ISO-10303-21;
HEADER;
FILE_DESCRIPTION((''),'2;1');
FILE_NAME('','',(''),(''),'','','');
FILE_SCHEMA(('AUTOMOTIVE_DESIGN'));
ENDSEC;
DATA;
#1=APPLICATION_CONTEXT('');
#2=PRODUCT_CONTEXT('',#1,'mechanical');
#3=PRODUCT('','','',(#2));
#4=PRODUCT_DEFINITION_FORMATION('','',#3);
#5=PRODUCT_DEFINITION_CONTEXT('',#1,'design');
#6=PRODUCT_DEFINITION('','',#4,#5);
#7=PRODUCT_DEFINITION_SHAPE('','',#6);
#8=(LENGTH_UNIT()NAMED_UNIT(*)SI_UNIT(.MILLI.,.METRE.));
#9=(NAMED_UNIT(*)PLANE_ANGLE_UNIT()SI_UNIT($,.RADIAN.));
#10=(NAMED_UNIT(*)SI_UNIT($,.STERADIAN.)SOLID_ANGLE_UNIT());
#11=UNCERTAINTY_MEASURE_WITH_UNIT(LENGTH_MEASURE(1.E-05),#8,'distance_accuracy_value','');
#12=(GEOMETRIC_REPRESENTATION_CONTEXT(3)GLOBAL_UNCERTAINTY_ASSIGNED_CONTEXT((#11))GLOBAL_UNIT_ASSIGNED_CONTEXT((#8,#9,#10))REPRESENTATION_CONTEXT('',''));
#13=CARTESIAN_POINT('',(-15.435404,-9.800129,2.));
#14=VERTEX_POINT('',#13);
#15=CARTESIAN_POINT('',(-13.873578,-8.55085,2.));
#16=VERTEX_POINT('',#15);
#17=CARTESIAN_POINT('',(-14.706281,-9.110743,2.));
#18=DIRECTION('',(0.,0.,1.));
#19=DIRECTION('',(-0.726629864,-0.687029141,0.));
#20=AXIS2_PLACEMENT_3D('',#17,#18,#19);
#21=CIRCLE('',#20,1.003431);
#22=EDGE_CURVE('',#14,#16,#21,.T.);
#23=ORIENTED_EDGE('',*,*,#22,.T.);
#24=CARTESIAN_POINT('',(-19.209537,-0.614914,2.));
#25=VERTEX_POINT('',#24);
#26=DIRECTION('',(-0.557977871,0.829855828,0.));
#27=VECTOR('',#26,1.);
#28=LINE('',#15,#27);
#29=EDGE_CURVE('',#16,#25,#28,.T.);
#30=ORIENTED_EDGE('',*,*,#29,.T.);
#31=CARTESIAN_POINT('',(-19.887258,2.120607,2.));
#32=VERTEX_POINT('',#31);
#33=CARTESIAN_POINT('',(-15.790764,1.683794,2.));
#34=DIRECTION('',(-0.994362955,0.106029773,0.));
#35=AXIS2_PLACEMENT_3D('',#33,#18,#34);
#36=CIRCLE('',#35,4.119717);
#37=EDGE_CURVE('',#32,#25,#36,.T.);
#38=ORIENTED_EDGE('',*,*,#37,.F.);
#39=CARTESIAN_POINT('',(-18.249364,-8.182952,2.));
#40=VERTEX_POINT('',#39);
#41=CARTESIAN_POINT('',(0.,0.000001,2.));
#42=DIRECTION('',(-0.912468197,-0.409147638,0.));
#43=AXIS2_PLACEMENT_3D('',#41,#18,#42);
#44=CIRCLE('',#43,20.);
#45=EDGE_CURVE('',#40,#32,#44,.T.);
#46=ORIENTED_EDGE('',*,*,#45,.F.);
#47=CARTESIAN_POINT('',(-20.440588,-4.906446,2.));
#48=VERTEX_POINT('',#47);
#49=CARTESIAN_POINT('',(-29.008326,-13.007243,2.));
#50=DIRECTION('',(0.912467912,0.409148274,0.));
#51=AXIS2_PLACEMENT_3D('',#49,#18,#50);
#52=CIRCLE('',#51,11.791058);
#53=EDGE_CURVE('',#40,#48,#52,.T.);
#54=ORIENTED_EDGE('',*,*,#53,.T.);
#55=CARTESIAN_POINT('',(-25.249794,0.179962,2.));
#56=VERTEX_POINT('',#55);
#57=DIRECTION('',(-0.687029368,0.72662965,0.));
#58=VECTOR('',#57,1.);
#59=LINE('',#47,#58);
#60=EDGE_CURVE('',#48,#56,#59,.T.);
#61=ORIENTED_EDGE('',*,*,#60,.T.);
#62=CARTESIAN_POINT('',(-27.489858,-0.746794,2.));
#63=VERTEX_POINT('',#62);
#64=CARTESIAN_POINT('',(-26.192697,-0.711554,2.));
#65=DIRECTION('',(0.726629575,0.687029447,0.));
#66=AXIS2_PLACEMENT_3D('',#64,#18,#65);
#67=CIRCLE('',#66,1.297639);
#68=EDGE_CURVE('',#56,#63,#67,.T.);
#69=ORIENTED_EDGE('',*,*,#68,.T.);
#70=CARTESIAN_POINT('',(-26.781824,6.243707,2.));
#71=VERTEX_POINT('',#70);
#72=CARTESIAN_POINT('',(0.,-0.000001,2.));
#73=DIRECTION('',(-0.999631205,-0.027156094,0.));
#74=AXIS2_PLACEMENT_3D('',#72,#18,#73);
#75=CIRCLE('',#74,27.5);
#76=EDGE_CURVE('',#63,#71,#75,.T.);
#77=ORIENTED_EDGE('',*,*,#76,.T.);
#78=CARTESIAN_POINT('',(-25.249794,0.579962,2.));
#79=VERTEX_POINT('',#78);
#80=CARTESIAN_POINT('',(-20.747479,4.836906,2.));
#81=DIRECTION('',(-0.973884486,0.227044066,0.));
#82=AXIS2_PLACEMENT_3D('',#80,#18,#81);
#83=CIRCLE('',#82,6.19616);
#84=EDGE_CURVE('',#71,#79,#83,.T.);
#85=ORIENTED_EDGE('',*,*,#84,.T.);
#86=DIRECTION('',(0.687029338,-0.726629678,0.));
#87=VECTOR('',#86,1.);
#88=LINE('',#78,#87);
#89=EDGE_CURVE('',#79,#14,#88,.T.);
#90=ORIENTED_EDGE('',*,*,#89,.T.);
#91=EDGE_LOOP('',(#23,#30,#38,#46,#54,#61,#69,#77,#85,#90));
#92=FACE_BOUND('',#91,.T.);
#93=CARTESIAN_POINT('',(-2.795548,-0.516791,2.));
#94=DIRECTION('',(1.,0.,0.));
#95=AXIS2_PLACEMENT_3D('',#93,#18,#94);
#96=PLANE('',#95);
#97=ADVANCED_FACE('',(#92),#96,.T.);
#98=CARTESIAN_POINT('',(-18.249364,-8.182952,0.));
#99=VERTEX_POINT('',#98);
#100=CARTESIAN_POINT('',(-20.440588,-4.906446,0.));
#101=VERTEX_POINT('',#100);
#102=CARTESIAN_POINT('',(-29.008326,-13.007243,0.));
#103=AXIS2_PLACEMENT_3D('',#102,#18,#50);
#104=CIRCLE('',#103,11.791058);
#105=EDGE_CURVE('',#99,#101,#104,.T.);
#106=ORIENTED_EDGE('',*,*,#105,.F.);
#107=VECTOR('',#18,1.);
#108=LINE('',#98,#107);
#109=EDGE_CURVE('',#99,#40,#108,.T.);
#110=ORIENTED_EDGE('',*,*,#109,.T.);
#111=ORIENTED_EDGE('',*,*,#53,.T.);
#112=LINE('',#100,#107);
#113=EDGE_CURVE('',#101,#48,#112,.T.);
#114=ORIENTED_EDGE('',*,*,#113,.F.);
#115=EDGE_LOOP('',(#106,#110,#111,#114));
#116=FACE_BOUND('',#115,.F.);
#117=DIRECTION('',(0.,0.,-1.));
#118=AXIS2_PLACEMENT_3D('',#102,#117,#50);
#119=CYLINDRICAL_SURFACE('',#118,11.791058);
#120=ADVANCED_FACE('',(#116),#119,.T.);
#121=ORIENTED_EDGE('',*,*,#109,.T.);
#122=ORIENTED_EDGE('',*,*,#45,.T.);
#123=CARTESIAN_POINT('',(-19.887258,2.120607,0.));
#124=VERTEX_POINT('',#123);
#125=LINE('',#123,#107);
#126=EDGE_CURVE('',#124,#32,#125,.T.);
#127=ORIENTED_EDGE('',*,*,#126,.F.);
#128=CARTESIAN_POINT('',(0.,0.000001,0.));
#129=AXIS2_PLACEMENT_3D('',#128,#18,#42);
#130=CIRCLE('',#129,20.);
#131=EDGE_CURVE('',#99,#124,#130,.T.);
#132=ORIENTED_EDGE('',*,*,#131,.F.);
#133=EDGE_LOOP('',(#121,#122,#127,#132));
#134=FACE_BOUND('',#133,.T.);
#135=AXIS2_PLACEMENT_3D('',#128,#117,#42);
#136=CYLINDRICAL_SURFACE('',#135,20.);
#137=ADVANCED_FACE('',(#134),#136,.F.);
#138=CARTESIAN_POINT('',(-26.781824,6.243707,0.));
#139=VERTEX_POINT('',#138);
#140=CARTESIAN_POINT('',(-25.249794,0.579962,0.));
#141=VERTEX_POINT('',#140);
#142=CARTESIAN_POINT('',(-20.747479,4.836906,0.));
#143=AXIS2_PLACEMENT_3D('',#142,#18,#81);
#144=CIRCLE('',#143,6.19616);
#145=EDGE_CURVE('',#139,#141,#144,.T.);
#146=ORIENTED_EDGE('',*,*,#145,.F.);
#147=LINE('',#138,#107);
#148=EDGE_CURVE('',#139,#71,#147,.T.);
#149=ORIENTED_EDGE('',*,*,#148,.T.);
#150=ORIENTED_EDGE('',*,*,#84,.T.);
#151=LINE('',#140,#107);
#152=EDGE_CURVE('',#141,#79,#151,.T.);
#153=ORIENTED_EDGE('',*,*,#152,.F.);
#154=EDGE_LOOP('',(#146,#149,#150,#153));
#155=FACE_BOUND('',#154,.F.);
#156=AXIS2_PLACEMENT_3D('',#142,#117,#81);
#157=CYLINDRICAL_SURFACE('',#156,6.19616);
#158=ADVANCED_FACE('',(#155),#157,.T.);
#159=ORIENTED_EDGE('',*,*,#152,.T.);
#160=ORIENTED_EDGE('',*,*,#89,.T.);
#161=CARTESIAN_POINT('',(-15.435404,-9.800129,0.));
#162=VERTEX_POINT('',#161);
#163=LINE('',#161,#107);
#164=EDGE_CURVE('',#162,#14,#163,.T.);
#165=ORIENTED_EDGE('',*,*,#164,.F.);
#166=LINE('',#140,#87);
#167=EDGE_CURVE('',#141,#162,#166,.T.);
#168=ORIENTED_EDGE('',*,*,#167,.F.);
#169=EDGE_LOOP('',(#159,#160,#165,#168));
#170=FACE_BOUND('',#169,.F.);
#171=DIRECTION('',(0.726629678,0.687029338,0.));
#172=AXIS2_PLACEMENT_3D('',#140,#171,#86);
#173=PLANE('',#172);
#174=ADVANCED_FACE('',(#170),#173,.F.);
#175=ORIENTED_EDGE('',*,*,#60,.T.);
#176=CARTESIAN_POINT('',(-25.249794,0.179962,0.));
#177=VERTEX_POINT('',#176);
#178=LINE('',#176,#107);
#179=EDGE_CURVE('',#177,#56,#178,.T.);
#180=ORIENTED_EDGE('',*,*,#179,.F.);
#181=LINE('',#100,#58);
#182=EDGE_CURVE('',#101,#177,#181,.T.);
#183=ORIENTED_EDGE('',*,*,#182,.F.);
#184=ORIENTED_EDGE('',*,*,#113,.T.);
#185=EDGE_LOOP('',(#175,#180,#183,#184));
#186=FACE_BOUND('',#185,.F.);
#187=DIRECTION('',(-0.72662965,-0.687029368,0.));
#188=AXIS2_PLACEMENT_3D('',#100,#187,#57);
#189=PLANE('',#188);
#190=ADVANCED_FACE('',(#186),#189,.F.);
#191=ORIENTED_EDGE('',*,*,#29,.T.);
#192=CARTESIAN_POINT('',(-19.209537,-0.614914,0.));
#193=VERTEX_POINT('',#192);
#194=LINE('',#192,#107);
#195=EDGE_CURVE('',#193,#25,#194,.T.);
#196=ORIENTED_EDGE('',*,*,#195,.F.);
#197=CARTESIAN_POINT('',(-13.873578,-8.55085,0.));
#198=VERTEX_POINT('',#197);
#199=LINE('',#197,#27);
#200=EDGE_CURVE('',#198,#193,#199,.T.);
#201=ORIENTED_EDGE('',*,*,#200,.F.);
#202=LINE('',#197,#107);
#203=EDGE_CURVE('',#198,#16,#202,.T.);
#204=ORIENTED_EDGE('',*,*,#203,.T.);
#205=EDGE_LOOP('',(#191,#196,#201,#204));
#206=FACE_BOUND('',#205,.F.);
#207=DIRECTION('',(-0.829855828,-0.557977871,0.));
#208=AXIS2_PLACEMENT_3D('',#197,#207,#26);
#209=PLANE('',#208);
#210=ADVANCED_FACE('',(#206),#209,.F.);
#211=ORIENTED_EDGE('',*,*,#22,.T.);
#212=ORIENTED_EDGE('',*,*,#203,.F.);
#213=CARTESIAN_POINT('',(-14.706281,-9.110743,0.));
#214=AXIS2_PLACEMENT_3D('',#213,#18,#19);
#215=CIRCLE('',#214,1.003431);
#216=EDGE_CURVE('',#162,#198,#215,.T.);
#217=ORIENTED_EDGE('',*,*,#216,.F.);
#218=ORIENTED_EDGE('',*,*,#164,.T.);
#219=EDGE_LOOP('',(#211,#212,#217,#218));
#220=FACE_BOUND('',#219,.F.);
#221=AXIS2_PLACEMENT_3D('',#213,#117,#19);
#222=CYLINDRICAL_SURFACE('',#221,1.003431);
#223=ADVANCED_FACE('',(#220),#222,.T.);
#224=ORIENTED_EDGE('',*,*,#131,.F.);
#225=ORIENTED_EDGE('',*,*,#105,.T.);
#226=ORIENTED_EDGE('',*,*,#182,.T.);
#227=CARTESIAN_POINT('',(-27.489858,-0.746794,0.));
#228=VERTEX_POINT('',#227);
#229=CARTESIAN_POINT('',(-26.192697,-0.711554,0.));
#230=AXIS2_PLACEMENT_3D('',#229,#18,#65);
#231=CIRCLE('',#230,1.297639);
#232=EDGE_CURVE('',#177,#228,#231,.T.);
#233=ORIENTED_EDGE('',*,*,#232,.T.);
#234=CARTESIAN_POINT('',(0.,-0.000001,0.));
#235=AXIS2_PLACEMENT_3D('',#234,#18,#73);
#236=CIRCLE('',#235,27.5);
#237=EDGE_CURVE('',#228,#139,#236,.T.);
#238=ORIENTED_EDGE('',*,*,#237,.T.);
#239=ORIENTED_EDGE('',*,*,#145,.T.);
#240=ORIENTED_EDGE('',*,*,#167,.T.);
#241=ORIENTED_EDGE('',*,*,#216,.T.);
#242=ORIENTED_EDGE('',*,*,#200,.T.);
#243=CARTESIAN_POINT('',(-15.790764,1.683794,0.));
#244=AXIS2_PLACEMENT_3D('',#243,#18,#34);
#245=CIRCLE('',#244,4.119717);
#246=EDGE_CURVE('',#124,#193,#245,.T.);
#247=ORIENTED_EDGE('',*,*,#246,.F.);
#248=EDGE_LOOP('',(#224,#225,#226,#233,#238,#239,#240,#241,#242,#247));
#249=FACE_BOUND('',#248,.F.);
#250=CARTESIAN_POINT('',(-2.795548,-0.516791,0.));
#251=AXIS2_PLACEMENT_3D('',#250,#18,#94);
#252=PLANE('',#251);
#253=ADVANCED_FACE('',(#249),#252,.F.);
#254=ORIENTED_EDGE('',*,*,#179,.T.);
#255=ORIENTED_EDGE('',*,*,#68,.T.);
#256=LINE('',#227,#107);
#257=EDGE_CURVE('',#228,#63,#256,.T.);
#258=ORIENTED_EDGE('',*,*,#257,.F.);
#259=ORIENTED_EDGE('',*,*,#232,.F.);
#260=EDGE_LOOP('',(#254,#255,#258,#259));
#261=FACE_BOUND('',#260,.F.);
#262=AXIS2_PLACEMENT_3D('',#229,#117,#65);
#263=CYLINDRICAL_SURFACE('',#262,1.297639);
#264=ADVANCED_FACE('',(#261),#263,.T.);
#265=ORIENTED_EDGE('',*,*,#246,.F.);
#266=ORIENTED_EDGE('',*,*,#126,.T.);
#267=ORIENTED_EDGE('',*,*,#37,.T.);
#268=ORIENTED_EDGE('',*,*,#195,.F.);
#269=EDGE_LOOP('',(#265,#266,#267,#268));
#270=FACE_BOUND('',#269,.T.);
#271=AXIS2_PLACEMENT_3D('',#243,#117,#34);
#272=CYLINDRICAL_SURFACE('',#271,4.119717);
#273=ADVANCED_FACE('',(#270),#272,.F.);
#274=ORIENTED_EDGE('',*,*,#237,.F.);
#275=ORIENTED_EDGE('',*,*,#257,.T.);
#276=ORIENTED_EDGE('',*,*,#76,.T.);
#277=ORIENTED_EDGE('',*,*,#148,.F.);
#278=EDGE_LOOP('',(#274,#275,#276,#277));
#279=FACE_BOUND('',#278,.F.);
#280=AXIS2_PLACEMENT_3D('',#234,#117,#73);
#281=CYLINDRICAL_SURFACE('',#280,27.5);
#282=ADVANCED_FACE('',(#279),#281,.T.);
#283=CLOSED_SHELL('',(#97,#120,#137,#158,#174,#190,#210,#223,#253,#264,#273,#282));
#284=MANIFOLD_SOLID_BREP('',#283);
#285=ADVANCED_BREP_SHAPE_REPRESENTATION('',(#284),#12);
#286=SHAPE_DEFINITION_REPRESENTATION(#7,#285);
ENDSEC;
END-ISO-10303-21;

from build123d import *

# Parameters (mm, degrees)
PAD_DEPTH = 2


with BuildPart() as part:
    # Sketch → Pad (new body)
    with BuildSketch(Plane.XY):
        with BuildLine():
            ThreePointArc((-27.489858, -0.746794), (27.360019, -2.771163), (-26.781824, 6.243707))
            ThreePointArc((-26.781824, 6.243707), (-26.728683, 3.219003), (-25.249794, 0.579962))
            Line((-25.249794, 0.579962), (-15.435404, -9.800129))
            ThreePointArc((-15.435404, -9.800129), (-14.079498, -9.894335), (-13.873578, -8.55085))
            Line((-13.873578, -8.55085), (-19.209537, -0.614914))
            ThreePointArc((-19.887258, 2.120607), (-19.789586, 0.693092), (-19.209537, -0.614914))
            ThreePointArc((-18.249364, -8.182952), (19.751995, 3.139854), (-19.887258, 2.120607))
            ThreePointArc((-18.249364, -8.182952), (-19.207091, -6.452486), (-20.440588, -4.906446))
            Line((-20.440588, -4.906446), (-25.249794, 0.179962))
            ThreePointArc((-25.249794, 0.179962), (-26.688775, 0.487518), (-27.489858, -0.746794))
        make_face()
    extrude(amount=PAD_DEPTH)


solid = part.part
